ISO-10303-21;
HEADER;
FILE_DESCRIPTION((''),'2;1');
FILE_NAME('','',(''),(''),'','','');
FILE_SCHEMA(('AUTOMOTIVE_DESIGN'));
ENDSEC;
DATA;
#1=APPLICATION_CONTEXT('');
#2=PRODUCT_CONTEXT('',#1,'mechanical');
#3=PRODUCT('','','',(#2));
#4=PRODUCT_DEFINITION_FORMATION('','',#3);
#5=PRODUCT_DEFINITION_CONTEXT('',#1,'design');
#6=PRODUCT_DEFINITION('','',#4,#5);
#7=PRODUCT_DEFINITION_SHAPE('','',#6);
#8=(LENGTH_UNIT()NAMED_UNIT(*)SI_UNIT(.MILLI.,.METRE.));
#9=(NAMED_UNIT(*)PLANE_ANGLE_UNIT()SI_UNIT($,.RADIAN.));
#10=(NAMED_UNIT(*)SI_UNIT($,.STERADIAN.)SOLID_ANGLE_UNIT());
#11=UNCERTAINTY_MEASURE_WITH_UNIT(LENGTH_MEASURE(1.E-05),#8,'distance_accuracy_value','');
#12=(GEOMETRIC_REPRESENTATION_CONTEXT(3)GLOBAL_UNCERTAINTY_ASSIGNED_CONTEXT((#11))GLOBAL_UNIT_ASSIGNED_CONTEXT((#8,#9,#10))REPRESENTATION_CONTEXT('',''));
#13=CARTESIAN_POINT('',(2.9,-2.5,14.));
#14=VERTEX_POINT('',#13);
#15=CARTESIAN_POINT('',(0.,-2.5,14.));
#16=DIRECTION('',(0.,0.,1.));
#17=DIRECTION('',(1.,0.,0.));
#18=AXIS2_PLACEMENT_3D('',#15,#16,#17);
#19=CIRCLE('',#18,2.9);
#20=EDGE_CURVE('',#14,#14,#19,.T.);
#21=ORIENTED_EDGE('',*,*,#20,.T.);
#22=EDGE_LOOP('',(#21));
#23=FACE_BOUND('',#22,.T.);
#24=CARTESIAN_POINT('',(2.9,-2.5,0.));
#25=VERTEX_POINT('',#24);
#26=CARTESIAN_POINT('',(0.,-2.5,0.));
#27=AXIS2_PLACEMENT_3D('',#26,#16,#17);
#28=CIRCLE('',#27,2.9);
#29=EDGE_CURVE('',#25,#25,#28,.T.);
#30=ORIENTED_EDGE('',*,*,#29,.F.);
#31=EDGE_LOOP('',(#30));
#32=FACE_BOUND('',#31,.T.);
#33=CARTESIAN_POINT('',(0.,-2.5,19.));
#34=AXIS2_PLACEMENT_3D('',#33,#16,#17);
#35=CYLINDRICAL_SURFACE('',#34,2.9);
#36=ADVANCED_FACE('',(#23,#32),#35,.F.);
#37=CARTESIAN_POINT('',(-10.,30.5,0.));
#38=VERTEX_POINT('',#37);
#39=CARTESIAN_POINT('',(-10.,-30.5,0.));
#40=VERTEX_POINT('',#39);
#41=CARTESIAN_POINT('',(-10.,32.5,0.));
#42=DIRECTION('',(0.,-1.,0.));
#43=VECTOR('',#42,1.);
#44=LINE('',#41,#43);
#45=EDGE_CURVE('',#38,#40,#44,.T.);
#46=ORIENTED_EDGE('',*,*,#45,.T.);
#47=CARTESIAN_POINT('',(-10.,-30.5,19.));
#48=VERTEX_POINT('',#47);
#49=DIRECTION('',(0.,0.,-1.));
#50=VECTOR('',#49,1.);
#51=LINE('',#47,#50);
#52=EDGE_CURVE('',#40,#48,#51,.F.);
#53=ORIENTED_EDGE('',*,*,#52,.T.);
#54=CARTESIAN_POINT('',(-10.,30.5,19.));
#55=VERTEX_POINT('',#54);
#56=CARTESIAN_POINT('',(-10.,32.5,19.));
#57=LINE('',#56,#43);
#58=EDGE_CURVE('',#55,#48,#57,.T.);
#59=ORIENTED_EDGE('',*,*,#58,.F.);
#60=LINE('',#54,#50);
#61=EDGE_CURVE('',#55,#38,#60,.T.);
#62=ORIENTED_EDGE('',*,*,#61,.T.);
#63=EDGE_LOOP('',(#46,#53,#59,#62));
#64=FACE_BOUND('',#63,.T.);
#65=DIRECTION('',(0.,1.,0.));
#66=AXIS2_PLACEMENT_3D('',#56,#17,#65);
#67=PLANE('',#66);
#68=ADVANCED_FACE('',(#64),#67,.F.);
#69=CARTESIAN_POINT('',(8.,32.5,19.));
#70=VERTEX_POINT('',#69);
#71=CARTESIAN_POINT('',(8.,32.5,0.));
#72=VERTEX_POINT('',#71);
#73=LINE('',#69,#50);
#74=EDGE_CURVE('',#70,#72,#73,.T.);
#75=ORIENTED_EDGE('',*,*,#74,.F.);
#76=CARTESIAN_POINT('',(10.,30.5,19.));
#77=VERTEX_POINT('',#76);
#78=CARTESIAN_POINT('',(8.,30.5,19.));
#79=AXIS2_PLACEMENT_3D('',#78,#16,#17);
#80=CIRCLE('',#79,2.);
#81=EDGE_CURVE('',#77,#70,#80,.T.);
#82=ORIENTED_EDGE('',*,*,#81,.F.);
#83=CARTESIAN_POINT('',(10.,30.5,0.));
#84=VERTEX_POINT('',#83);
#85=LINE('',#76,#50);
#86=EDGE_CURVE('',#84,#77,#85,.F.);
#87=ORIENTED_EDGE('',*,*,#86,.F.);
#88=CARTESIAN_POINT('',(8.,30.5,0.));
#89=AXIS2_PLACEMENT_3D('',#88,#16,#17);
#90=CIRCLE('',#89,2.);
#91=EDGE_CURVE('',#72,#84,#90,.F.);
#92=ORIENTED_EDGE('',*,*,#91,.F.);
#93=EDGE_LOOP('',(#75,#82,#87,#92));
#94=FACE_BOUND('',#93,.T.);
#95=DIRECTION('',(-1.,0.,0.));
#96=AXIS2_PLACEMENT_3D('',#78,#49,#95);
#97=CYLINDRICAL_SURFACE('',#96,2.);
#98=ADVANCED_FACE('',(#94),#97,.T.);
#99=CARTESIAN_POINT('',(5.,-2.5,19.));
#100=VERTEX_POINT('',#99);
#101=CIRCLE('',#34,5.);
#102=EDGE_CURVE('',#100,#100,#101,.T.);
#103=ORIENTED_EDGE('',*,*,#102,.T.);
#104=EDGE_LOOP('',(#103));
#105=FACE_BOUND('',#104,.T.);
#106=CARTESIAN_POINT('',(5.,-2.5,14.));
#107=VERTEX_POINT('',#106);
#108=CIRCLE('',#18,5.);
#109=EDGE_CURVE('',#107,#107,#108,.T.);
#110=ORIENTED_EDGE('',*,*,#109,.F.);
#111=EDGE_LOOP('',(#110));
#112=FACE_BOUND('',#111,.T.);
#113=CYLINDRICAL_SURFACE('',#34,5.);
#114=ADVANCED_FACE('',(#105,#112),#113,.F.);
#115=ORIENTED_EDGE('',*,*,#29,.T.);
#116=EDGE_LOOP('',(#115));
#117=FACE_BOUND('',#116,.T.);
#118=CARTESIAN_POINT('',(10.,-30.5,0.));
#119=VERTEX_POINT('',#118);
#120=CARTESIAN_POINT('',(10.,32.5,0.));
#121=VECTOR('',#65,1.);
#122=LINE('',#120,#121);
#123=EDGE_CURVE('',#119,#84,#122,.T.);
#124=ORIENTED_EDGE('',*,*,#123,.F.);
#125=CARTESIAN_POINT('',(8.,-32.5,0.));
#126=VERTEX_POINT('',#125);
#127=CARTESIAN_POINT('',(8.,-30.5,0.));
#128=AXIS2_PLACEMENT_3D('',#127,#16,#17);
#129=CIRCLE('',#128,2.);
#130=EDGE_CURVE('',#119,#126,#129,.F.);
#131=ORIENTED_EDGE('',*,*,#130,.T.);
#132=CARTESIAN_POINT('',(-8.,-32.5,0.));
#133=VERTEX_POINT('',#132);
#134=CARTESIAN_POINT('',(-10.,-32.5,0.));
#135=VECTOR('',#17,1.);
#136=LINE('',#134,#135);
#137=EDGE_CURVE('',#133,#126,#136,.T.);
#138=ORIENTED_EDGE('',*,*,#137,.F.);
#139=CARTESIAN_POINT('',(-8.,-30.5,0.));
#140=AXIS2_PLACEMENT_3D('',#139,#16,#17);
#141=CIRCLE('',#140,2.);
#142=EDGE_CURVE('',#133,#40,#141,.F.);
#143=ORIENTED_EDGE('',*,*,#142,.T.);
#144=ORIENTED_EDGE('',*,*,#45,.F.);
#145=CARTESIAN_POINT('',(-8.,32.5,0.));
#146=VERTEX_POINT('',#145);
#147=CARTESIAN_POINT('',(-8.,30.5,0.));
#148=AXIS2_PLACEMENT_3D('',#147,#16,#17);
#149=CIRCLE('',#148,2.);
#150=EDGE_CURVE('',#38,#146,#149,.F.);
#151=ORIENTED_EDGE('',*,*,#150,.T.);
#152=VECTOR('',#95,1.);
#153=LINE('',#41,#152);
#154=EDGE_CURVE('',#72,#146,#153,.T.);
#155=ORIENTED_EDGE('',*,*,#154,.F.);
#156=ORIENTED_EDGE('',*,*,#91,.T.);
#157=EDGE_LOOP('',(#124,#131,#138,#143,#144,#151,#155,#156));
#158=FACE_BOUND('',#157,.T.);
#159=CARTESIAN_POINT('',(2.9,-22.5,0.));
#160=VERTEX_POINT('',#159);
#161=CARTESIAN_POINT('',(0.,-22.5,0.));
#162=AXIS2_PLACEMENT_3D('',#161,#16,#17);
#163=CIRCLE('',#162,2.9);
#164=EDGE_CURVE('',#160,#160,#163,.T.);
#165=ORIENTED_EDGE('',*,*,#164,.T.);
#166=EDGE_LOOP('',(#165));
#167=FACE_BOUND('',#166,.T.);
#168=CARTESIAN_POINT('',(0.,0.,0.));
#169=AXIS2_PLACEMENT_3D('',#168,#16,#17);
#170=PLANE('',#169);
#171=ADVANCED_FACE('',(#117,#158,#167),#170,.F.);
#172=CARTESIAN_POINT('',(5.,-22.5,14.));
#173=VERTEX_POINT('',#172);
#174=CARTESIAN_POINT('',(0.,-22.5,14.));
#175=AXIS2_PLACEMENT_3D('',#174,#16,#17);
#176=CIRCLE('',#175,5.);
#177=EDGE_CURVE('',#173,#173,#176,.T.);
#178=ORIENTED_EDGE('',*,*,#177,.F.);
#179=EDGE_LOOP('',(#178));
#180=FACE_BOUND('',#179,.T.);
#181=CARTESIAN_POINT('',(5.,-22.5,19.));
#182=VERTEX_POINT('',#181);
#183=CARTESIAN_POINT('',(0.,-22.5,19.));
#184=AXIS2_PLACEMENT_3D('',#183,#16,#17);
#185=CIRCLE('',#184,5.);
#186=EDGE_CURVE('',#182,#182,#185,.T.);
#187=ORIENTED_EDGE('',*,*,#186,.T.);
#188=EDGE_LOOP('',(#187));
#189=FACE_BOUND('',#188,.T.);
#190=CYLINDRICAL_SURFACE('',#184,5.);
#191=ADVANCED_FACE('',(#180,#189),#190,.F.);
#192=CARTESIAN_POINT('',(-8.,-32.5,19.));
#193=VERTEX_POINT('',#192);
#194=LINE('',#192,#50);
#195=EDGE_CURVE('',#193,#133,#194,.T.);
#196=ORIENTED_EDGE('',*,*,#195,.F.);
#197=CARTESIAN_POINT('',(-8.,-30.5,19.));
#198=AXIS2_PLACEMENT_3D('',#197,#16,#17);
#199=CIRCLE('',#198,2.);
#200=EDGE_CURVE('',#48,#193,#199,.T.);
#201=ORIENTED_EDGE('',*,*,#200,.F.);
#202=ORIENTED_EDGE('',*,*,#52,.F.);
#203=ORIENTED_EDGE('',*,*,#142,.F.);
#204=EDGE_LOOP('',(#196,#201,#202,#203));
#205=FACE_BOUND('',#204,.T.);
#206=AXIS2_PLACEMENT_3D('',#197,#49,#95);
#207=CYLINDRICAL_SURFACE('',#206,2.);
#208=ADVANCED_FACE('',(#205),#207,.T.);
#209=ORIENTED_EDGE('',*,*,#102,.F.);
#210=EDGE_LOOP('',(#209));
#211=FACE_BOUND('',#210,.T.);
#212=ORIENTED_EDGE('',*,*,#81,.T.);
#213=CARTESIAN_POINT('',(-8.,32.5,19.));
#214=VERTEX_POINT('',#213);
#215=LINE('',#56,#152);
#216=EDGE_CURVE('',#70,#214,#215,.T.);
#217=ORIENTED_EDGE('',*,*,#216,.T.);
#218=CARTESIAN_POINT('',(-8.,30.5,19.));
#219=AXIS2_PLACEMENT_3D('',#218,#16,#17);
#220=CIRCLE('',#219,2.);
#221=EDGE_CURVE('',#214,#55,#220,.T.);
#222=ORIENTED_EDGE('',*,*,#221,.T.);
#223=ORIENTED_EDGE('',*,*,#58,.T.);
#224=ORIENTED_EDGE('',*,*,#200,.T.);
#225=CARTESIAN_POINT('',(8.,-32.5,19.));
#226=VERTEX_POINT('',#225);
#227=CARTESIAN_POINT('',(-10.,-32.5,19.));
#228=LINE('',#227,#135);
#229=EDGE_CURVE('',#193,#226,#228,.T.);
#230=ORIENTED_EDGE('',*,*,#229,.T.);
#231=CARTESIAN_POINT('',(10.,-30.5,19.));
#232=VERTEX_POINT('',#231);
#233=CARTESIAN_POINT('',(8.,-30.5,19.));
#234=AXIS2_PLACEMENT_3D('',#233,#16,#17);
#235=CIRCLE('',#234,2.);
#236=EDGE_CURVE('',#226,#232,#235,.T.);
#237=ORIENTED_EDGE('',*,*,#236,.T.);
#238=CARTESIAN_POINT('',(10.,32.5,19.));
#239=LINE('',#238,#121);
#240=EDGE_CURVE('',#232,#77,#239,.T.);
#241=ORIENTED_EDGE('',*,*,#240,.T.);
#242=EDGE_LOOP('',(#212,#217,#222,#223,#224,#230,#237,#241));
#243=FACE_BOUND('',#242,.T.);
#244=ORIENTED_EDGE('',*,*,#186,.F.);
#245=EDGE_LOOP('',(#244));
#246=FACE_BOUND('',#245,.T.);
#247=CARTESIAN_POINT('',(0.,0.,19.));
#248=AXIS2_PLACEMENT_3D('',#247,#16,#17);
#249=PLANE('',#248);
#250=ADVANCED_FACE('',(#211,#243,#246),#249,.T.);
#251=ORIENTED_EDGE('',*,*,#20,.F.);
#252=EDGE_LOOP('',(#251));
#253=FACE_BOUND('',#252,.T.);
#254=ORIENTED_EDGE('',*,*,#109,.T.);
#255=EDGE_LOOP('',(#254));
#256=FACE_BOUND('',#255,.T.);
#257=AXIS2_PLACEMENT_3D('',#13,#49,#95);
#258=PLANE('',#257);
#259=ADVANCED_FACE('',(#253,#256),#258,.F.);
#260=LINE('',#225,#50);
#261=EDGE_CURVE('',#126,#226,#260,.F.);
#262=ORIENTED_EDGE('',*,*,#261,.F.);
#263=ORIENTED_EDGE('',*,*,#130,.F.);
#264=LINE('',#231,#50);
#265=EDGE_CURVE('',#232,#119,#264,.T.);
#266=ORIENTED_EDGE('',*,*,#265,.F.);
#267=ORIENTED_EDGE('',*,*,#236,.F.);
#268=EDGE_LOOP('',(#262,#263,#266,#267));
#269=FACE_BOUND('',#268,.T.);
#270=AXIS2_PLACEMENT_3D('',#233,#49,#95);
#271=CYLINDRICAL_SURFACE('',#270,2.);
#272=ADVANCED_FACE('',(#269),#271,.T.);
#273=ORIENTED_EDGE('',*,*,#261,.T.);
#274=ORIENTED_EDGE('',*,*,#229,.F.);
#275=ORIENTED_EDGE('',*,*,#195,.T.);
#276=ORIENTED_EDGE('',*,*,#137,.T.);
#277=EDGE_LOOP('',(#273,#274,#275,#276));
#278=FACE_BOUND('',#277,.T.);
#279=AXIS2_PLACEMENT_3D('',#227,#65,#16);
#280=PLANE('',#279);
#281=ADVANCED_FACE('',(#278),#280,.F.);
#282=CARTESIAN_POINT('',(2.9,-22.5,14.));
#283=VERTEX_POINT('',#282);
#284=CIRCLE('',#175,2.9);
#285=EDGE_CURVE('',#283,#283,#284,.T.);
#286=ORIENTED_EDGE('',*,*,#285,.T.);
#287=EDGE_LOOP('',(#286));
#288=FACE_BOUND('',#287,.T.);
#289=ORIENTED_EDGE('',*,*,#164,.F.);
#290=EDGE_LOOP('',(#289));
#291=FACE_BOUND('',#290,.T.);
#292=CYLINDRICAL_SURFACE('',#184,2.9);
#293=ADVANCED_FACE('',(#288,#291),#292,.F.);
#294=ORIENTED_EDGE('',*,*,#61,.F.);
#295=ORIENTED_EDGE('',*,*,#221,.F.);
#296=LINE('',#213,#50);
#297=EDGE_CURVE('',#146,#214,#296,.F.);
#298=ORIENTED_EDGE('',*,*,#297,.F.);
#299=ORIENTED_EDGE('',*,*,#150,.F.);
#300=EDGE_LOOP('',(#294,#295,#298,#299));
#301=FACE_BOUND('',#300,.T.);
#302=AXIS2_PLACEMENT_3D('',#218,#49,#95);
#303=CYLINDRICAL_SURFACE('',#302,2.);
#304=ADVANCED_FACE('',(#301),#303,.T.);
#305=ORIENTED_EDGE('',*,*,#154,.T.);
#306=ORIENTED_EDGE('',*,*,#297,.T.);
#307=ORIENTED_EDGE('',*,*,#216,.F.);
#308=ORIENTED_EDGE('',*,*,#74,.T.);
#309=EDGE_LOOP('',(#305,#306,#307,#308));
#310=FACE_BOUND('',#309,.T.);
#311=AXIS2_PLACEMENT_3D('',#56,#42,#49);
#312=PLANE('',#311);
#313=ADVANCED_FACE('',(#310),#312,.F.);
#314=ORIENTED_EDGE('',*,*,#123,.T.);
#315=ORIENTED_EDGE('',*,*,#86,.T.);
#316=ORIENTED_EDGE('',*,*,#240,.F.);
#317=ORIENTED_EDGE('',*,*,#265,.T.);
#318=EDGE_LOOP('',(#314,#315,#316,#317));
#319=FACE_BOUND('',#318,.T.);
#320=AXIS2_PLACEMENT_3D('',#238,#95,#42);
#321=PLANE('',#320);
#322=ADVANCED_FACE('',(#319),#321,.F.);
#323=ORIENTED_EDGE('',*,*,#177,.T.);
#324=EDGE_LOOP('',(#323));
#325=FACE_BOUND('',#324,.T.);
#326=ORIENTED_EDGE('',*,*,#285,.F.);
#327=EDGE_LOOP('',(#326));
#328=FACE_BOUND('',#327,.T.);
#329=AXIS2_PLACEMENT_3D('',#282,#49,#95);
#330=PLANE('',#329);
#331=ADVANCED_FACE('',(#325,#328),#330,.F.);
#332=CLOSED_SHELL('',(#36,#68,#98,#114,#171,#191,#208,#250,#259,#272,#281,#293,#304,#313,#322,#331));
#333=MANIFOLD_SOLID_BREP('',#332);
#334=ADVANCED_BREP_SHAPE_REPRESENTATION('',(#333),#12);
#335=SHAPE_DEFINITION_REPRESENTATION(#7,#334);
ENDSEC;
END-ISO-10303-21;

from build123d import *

# Parameters (mm, degrees)
SKETCH1_W                      = 20
SKETCH1_H                      = 65
BOSS_EXTRUDE1_DEPTH            = 19
CBORE_FOR_M5_SHCS1_D           = 5.8
CBORE_FOR_M5_SHCS1_CBORE_D     = 10
CBORE_FOR_M5_SHCS1_CBORE_DEPTH = 5
FILLET1_R                      = 2


with BuildPart() as part:
    # Sketch1 → Boss-Extrude1 (new body)
    with BuildSketch(Plane.XY):
        Rectangle(SKETCH1_W, SKETCH1_H)
    extrude(amount=BOSS_EXTRUDE1_DEPTH)

    # CBORE for M5 SHCS1 (through all)
    with Locations(Plane.XY.offset(19)):
        with Locations((0, -2.5), (0, -22.5)):
            CounterBoreHole(CBORE_FOR_M5_SHCS1_D / 2, CBORE_FOR_M5_SHCS1_CBORE_D / 2, CBORE_FOR_M5_SHCS1_CBORE_DEPTH)

    # Fillet1
    fillet1_edges = [part.edges().sort_by_distance(p)[0] for p in [
        (10, -32.5, 9.5),
        (-10, -32.5, 9.5),
        (-10, 32.5, 9.5),
        (10, 32.5, 9.5),
    ]]
    fillet(fillet1_edges, radius=FILLET1_R)


solid = part.part
